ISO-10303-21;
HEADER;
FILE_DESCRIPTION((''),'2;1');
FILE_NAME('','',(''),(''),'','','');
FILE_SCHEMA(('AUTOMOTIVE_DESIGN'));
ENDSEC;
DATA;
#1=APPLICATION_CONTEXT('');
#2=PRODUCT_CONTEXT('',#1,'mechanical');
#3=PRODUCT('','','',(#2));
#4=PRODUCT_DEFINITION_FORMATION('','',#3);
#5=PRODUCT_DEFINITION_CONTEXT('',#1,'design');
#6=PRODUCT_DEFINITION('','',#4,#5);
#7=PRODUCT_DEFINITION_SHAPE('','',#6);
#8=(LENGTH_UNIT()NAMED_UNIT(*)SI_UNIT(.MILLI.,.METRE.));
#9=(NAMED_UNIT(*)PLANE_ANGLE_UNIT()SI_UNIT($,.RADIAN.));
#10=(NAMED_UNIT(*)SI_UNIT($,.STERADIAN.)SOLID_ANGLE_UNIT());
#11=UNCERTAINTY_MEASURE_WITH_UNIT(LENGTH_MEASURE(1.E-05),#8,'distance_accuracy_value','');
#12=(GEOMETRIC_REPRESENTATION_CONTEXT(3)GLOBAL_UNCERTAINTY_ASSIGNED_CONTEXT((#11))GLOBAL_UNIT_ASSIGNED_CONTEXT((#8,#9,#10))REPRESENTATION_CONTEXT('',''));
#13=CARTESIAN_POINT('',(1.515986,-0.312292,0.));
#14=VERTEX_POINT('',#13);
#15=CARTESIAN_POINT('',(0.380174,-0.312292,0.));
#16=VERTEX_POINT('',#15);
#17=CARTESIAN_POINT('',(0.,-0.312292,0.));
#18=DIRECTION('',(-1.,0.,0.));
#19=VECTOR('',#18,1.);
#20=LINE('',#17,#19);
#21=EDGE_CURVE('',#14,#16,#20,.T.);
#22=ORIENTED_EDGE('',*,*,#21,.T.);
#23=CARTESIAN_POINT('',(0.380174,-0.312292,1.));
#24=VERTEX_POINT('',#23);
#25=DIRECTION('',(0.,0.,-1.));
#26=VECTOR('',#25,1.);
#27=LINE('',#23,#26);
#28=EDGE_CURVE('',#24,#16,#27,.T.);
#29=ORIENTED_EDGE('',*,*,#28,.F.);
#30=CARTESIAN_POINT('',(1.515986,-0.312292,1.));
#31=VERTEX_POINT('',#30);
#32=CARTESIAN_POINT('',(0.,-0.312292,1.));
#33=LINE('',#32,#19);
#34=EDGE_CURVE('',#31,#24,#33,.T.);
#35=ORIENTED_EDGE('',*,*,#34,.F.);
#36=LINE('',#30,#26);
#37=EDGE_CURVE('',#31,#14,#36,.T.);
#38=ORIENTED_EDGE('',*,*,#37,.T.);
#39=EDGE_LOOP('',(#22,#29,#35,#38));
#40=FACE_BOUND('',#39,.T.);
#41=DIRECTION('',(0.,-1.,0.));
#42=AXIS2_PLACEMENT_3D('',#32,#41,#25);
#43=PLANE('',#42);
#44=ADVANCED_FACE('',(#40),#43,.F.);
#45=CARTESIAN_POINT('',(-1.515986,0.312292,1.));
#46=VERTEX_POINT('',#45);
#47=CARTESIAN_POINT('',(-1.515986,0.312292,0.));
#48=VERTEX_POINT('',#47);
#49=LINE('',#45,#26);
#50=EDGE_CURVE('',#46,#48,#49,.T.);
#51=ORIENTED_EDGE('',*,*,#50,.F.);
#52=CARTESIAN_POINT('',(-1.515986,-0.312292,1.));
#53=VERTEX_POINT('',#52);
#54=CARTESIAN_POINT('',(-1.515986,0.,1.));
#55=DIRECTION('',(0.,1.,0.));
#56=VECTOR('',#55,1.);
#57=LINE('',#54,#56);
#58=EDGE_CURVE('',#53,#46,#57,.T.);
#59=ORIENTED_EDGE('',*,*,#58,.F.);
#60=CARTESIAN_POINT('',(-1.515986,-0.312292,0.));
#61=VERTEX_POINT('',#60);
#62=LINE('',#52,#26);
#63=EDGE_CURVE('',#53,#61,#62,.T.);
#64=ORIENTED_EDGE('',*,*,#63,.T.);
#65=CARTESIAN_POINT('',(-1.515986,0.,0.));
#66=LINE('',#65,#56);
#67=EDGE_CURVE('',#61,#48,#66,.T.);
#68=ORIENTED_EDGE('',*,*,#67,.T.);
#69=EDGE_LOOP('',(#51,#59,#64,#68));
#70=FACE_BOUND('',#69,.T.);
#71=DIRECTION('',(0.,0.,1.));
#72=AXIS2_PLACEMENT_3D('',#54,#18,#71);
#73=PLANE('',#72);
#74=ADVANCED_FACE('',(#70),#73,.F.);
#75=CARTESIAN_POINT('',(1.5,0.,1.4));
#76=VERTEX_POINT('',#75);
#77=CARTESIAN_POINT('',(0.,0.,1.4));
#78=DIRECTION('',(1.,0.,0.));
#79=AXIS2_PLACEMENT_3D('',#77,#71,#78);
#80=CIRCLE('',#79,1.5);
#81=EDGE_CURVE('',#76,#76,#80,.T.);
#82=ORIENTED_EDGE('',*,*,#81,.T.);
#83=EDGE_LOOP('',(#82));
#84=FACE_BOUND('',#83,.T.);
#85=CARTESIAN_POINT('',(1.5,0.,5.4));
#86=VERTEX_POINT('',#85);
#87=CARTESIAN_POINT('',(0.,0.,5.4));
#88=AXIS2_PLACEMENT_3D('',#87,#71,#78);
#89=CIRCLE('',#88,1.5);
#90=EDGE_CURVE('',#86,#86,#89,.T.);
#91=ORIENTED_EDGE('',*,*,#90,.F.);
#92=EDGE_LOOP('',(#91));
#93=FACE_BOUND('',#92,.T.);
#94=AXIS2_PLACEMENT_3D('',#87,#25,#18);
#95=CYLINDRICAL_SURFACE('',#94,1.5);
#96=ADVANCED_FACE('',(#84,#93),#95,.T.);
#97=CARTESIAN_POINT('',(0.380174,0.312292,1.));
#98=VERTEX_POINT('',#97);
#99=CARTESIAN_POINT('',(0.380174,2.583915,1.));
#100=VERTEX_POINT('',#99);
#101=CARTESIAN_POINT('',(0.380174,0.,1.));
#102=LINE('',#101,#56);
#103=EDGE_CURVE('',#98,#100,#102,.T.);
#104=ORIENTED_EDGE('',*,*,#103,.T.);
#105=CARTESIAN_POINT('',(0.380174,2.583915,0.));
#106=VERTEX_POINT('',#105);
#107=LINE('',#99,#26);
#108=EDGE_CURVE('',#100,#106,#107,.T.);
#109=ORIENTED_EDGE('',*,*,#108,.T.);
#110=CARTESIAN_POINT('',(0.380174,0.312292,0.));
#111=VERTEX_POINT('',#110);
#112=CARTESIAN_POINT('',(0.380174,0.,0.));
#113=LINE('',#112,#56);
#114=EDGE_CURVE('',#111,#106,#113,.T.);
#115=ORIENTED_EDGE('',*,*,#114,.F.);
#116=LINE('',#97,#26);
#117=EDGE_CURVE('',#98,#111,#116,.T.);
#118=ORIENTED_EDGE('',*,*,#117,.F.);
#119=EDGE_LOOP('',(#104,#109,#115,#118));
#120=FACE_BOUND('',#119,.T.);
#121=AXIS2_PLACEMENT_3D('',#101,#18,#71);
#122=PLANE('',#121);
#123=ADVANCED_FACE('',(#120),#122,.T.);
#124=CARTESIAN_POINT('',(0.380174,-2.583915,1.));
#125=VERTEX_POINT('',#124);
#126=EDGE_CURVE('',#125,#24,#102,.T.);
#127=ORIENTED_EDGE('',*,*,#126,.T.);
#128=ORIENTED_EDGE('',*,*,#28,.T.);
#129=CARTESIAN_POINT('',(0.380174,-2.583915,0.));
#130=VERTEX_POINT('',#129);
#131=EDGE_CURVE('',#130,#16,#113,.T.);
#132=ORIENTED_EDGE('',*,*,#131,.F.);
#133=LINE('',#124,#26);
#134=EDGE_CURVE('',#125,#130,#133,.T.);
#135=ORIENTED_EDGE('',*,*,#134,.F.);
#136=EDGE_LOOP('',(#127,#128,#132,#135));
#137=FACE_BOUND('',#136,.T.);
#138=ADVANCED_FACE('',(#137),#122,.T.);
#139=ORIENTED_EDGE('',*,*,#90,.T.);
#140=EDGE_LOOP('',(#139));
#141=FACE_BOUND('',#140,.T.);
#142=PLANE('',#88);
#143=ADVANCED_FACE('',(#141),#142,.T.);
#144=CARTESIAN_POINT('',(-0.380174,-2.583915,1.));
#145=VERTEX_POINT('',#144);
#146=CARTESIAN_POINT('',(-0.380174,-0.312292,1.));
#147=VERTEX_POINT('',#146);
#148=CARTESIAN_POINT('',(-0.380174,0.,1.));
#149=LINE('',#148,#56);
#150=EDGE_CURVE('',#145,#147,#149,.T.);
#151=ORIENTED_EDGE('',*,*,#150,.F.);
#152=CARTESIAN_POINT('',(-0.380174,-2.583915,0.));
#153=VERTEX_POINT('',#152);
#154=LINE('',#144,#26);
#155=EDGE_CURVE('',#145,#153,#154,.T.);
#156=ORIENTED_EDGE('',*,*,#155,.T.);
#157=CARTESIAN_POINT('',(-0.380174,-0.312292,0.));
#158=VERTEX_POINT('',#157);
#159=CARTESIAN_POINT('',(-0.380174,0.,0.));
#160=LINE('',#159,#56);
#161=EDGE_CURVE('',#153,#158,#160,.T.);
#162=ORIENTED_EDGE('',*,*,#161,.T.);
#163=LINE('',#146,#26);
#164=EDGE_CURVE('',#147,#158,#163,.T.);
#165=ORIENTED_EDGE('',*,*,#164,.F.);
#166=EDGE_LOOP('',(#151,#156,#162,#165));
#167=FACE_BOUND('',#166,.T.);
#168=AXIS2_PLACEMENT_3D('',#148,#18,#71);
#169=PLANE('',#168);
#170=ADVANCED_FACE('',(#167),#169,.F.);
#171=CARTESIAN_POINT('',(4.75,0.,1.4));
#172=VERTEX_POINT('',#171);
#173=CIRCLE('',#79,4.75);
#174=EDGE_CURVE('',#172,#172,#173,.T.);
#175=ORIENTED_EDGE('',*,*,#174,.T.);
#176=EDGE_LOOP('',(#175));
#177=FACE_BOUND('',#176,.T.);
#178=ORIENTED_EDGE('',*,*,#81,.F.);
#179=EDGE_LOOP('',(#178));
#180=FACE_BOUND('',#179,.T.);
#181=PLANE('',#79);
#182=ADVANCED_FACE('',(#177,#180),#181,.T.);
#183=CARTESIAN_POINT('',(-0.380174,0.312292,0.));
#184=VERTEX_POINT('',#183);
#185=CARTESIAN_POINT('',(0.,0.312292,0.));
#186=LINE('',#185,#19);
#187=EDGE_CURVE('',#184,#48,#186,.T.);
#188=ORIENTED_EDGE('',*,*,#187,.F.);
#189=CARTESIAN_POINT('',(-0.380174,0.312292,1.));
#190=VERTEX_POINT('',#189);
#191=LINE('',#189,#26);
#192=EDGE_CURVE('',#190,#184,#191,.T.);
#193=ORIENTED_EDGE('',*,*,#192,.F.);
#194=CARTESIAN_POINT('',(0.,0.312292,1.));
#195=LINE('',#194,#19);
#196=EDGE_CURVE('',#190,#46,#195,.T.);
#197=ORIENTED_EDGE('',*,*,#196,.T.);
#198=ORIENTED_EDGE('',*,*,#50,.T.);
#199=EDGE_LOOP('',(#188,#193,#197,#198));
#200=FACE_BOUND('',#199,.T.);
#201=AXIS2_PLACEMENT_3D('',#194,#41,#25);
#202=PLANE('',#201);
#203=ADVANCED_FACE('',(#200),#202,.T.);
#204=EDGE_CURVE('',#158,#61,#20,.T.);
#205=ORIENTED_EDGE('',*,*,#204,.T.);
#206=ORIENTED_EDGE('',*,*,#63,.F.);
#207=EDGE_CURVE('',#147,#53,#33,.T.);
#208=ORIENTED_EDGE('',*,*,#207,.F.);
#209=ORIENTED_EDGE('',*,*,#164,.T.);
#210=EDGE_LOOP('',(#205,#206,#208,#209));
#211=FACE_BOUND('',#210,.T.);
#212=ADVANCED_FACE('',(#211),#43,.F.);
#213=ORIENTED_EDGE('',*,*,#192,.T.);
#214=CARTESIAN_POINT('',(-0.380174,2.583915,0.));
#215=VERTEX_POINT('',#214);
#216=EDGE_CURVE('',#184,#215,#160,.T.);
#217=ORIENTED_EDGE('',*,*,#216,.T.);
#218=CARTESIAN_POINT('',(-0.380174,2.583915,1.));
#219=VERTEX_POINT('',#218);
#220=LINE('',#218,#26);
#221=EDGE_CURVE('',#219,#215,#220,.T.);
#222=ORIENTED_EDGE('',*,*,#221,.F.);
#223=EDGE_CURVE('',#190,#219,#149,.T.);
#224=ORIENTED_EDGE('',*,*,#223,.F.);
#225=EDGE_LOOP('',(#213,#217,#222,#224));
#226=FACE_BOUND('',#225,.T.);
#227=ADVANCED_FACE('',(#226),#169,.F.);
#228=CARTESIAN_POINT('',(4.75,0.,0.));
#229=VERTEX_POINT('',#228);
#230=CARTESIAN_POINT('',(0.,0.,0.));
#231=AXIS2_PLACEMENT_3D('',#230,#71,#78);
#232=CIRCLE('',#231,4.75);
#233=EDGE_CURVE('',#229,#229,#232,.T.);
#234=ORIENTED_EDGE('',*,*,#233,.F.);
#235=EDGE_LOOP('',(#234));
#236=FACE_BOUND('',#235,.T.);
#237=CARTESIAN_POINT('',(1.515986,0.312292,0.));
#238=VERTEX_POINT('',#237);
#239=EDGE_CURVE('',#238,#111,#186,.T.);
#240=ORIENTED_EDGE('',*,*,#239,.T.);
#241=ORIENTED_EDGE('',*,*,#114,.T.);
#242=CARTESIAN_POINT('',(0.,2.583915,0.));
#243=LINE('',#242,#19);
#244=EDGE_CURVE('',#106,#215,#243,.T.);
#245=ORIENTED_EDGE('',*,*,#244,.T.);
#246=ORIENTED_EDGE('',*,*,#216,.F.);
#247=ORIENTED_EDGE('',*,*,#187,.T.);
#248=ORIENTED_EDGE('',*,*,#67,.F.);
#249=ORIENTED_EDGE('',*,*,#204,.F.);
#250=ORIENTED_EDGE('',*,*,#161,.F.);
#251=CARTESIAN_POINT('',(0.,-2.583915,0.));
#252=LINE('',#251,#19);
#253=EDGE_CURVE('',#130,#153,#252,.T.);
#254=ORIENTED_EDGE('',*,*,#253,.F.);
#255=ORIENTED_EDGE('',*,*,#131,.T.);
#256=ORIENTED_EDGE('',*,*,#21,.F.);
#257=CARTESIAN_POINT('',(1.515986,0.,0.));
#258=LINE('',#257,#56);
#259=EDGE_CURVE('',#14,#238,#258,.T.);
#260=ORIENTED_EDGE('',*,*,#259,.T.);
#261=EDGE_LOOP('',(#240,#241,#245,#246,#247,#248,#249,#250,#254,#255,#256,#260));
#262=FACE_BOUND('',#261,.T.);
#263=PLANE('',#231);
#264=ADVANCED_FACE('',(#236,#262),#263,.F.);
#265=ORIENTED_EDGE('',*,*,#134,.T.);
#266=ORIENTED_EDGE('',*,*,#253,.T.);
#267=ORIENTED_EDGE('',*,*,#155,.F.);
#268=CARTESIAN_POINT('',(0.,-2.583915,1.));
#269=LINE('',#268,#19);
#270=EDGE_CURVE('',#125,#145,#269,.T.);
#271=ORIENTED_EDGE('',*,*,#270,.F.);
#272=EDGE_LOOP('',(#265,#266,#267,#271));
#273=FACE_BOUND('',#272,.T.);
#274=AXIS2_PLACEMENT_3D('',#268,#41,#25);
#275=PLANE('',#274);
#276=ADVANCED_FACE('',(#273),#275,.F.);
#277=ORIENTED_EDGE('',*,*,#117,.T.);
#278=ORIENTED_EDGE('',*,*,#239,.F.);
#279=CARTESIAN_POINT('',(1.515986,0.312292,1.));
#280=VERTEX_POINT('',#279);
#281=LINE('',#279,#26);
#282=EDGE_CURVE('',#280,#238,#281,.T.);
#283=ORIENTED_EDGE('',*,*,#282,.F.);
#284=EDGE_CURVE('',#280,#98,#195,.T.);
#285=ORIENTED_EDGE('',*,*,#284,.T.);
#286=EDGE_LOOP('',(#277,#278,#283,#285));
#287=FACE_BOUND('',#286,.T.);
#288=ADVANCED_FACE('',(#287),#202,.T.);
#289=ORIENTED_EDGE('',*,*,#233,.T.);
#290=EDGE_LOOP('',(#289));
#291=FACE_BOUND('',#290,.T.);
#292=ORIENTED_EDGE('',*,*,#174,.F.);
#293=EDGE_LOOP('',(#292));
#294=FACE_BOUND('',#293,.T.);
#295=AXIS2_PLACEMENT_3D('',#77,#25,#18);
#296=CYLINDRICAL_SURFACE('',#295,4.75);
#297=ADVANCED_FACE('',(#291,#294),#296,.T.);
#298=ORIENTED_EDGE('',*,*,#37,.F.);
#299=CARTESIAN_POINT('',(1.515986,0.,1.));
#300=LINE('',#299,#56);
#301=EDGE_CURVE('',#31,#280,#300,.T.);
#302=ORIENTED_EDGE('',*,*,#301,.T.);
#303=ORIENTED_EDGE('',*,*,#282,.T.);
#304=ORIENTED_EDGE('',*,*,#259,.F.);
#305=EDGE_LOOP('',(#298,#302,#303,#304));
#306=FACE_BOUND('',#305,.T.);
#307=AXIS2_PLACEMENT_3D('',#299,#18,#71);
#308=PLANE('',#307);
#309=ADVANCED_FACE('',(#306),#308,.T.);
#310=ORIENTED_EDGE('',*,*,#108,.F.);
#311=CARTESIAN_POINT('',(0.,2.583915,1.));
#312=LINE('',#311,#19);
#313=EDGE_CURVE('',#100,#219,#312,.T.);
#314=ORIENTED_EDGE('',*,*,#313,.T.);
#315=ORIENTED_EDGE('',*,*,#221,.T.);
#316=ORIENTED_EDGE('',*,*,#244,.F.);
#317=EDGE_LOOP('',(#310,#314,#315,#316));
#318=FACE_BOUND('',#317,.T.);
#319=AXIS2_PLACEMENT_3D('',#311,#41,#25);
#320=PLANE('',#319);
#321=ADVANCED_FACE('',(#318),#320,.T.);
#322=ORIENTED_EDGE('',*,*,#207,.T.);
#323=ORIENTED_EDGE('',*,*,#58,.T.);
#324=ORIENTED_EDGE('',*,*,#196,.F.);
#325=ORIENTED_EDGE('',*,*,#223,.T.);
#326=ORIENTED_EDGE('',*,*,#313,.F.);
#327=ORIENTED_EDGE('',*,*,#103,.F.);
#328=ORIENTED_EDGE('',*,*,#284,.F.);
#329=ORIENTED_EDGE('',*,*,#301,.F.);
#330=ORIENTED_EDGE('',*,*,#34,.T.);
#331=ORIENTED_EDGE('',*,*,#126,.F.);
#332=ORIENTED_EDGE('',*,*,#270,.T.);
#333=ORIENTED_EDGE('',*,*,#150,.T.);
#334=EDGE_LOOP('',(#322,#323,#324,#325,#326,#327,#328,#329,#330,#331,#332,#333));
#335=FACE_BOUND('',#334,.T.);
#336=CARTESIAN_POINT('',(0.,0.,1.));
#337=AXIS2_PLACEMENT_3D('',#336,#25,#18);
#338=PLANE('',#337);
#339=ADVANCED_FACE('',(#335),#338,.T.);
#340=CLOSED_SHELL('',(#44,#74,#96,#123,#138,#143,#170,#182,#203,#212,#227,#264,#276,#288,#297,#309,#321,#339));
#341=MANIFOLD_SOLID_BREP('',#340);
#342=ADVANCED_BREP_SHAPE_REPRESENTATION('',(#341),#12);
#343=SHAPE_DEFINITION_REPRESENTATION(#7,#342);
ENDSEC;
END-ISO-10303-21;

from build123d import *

# Parameters (mm, degrees)
SKETCH_1_R          = 4.75
EXTRUDE_1_DEPTH     = 1.4
SKETCH_2_R          = 1.5
EXTRUDE_2_DEPTH     = 4
SKETCH_3_W          = 0.760348124
SKETCH_3_H          = 2.271623197
SKETCH_3_W_2        = 1.135811598
SKETCH_3_H_2        = 0.62458345
CUT_EXTRUDE_1_DEPTH = 1


with BuildPart() as part:
    # 草图1 → 凸台-拉伸1 (new body)
    with BuildSketch(Plane.XY):
        Circle(SKETCH_1_R)
    extrude(amount=EXTRUDE_1_DEPTH)

    # 草图2 → 凸台-拉伸2 (add)
    with BuildSketch(Plane.XY.offset(1.4)):
        Circle(SKETCH_2_R)
    extrude(amount=EXTRUDE_2_DEPTH)

    # 草图3 → 切除-拉伸1 (cut)
    with BuildSketch(Plane(origin=(0, 0, 0), x_dir=(-1, 0, 0), z_dir=(0, 0, -1))):
        with Locations((0, 1.448103324)):
            Rectangle(SKETCH_3_W, SKETCH_3_H)
        with Locations((-0.948079861, 0)):
            Rectangle(SKETCH_3_W_2, SKETCH_3_H_2)
        with Locations((0.948079861, 0)):
            Rectangle(SKETCH_3_W_2, SKETCH_3_H_2)
        with Locations((0, -1.448103324)):
            Rectangle(SKETCH_3_W, SKETCH_3_H)
        Rectangle(SKETCH_3_W, SKETCH_3_H_2)
    extrude(amount=-CUT_EXTRUDE_1_DEPTH, mode=Mode.SUBTRACT)


solid = part.part
